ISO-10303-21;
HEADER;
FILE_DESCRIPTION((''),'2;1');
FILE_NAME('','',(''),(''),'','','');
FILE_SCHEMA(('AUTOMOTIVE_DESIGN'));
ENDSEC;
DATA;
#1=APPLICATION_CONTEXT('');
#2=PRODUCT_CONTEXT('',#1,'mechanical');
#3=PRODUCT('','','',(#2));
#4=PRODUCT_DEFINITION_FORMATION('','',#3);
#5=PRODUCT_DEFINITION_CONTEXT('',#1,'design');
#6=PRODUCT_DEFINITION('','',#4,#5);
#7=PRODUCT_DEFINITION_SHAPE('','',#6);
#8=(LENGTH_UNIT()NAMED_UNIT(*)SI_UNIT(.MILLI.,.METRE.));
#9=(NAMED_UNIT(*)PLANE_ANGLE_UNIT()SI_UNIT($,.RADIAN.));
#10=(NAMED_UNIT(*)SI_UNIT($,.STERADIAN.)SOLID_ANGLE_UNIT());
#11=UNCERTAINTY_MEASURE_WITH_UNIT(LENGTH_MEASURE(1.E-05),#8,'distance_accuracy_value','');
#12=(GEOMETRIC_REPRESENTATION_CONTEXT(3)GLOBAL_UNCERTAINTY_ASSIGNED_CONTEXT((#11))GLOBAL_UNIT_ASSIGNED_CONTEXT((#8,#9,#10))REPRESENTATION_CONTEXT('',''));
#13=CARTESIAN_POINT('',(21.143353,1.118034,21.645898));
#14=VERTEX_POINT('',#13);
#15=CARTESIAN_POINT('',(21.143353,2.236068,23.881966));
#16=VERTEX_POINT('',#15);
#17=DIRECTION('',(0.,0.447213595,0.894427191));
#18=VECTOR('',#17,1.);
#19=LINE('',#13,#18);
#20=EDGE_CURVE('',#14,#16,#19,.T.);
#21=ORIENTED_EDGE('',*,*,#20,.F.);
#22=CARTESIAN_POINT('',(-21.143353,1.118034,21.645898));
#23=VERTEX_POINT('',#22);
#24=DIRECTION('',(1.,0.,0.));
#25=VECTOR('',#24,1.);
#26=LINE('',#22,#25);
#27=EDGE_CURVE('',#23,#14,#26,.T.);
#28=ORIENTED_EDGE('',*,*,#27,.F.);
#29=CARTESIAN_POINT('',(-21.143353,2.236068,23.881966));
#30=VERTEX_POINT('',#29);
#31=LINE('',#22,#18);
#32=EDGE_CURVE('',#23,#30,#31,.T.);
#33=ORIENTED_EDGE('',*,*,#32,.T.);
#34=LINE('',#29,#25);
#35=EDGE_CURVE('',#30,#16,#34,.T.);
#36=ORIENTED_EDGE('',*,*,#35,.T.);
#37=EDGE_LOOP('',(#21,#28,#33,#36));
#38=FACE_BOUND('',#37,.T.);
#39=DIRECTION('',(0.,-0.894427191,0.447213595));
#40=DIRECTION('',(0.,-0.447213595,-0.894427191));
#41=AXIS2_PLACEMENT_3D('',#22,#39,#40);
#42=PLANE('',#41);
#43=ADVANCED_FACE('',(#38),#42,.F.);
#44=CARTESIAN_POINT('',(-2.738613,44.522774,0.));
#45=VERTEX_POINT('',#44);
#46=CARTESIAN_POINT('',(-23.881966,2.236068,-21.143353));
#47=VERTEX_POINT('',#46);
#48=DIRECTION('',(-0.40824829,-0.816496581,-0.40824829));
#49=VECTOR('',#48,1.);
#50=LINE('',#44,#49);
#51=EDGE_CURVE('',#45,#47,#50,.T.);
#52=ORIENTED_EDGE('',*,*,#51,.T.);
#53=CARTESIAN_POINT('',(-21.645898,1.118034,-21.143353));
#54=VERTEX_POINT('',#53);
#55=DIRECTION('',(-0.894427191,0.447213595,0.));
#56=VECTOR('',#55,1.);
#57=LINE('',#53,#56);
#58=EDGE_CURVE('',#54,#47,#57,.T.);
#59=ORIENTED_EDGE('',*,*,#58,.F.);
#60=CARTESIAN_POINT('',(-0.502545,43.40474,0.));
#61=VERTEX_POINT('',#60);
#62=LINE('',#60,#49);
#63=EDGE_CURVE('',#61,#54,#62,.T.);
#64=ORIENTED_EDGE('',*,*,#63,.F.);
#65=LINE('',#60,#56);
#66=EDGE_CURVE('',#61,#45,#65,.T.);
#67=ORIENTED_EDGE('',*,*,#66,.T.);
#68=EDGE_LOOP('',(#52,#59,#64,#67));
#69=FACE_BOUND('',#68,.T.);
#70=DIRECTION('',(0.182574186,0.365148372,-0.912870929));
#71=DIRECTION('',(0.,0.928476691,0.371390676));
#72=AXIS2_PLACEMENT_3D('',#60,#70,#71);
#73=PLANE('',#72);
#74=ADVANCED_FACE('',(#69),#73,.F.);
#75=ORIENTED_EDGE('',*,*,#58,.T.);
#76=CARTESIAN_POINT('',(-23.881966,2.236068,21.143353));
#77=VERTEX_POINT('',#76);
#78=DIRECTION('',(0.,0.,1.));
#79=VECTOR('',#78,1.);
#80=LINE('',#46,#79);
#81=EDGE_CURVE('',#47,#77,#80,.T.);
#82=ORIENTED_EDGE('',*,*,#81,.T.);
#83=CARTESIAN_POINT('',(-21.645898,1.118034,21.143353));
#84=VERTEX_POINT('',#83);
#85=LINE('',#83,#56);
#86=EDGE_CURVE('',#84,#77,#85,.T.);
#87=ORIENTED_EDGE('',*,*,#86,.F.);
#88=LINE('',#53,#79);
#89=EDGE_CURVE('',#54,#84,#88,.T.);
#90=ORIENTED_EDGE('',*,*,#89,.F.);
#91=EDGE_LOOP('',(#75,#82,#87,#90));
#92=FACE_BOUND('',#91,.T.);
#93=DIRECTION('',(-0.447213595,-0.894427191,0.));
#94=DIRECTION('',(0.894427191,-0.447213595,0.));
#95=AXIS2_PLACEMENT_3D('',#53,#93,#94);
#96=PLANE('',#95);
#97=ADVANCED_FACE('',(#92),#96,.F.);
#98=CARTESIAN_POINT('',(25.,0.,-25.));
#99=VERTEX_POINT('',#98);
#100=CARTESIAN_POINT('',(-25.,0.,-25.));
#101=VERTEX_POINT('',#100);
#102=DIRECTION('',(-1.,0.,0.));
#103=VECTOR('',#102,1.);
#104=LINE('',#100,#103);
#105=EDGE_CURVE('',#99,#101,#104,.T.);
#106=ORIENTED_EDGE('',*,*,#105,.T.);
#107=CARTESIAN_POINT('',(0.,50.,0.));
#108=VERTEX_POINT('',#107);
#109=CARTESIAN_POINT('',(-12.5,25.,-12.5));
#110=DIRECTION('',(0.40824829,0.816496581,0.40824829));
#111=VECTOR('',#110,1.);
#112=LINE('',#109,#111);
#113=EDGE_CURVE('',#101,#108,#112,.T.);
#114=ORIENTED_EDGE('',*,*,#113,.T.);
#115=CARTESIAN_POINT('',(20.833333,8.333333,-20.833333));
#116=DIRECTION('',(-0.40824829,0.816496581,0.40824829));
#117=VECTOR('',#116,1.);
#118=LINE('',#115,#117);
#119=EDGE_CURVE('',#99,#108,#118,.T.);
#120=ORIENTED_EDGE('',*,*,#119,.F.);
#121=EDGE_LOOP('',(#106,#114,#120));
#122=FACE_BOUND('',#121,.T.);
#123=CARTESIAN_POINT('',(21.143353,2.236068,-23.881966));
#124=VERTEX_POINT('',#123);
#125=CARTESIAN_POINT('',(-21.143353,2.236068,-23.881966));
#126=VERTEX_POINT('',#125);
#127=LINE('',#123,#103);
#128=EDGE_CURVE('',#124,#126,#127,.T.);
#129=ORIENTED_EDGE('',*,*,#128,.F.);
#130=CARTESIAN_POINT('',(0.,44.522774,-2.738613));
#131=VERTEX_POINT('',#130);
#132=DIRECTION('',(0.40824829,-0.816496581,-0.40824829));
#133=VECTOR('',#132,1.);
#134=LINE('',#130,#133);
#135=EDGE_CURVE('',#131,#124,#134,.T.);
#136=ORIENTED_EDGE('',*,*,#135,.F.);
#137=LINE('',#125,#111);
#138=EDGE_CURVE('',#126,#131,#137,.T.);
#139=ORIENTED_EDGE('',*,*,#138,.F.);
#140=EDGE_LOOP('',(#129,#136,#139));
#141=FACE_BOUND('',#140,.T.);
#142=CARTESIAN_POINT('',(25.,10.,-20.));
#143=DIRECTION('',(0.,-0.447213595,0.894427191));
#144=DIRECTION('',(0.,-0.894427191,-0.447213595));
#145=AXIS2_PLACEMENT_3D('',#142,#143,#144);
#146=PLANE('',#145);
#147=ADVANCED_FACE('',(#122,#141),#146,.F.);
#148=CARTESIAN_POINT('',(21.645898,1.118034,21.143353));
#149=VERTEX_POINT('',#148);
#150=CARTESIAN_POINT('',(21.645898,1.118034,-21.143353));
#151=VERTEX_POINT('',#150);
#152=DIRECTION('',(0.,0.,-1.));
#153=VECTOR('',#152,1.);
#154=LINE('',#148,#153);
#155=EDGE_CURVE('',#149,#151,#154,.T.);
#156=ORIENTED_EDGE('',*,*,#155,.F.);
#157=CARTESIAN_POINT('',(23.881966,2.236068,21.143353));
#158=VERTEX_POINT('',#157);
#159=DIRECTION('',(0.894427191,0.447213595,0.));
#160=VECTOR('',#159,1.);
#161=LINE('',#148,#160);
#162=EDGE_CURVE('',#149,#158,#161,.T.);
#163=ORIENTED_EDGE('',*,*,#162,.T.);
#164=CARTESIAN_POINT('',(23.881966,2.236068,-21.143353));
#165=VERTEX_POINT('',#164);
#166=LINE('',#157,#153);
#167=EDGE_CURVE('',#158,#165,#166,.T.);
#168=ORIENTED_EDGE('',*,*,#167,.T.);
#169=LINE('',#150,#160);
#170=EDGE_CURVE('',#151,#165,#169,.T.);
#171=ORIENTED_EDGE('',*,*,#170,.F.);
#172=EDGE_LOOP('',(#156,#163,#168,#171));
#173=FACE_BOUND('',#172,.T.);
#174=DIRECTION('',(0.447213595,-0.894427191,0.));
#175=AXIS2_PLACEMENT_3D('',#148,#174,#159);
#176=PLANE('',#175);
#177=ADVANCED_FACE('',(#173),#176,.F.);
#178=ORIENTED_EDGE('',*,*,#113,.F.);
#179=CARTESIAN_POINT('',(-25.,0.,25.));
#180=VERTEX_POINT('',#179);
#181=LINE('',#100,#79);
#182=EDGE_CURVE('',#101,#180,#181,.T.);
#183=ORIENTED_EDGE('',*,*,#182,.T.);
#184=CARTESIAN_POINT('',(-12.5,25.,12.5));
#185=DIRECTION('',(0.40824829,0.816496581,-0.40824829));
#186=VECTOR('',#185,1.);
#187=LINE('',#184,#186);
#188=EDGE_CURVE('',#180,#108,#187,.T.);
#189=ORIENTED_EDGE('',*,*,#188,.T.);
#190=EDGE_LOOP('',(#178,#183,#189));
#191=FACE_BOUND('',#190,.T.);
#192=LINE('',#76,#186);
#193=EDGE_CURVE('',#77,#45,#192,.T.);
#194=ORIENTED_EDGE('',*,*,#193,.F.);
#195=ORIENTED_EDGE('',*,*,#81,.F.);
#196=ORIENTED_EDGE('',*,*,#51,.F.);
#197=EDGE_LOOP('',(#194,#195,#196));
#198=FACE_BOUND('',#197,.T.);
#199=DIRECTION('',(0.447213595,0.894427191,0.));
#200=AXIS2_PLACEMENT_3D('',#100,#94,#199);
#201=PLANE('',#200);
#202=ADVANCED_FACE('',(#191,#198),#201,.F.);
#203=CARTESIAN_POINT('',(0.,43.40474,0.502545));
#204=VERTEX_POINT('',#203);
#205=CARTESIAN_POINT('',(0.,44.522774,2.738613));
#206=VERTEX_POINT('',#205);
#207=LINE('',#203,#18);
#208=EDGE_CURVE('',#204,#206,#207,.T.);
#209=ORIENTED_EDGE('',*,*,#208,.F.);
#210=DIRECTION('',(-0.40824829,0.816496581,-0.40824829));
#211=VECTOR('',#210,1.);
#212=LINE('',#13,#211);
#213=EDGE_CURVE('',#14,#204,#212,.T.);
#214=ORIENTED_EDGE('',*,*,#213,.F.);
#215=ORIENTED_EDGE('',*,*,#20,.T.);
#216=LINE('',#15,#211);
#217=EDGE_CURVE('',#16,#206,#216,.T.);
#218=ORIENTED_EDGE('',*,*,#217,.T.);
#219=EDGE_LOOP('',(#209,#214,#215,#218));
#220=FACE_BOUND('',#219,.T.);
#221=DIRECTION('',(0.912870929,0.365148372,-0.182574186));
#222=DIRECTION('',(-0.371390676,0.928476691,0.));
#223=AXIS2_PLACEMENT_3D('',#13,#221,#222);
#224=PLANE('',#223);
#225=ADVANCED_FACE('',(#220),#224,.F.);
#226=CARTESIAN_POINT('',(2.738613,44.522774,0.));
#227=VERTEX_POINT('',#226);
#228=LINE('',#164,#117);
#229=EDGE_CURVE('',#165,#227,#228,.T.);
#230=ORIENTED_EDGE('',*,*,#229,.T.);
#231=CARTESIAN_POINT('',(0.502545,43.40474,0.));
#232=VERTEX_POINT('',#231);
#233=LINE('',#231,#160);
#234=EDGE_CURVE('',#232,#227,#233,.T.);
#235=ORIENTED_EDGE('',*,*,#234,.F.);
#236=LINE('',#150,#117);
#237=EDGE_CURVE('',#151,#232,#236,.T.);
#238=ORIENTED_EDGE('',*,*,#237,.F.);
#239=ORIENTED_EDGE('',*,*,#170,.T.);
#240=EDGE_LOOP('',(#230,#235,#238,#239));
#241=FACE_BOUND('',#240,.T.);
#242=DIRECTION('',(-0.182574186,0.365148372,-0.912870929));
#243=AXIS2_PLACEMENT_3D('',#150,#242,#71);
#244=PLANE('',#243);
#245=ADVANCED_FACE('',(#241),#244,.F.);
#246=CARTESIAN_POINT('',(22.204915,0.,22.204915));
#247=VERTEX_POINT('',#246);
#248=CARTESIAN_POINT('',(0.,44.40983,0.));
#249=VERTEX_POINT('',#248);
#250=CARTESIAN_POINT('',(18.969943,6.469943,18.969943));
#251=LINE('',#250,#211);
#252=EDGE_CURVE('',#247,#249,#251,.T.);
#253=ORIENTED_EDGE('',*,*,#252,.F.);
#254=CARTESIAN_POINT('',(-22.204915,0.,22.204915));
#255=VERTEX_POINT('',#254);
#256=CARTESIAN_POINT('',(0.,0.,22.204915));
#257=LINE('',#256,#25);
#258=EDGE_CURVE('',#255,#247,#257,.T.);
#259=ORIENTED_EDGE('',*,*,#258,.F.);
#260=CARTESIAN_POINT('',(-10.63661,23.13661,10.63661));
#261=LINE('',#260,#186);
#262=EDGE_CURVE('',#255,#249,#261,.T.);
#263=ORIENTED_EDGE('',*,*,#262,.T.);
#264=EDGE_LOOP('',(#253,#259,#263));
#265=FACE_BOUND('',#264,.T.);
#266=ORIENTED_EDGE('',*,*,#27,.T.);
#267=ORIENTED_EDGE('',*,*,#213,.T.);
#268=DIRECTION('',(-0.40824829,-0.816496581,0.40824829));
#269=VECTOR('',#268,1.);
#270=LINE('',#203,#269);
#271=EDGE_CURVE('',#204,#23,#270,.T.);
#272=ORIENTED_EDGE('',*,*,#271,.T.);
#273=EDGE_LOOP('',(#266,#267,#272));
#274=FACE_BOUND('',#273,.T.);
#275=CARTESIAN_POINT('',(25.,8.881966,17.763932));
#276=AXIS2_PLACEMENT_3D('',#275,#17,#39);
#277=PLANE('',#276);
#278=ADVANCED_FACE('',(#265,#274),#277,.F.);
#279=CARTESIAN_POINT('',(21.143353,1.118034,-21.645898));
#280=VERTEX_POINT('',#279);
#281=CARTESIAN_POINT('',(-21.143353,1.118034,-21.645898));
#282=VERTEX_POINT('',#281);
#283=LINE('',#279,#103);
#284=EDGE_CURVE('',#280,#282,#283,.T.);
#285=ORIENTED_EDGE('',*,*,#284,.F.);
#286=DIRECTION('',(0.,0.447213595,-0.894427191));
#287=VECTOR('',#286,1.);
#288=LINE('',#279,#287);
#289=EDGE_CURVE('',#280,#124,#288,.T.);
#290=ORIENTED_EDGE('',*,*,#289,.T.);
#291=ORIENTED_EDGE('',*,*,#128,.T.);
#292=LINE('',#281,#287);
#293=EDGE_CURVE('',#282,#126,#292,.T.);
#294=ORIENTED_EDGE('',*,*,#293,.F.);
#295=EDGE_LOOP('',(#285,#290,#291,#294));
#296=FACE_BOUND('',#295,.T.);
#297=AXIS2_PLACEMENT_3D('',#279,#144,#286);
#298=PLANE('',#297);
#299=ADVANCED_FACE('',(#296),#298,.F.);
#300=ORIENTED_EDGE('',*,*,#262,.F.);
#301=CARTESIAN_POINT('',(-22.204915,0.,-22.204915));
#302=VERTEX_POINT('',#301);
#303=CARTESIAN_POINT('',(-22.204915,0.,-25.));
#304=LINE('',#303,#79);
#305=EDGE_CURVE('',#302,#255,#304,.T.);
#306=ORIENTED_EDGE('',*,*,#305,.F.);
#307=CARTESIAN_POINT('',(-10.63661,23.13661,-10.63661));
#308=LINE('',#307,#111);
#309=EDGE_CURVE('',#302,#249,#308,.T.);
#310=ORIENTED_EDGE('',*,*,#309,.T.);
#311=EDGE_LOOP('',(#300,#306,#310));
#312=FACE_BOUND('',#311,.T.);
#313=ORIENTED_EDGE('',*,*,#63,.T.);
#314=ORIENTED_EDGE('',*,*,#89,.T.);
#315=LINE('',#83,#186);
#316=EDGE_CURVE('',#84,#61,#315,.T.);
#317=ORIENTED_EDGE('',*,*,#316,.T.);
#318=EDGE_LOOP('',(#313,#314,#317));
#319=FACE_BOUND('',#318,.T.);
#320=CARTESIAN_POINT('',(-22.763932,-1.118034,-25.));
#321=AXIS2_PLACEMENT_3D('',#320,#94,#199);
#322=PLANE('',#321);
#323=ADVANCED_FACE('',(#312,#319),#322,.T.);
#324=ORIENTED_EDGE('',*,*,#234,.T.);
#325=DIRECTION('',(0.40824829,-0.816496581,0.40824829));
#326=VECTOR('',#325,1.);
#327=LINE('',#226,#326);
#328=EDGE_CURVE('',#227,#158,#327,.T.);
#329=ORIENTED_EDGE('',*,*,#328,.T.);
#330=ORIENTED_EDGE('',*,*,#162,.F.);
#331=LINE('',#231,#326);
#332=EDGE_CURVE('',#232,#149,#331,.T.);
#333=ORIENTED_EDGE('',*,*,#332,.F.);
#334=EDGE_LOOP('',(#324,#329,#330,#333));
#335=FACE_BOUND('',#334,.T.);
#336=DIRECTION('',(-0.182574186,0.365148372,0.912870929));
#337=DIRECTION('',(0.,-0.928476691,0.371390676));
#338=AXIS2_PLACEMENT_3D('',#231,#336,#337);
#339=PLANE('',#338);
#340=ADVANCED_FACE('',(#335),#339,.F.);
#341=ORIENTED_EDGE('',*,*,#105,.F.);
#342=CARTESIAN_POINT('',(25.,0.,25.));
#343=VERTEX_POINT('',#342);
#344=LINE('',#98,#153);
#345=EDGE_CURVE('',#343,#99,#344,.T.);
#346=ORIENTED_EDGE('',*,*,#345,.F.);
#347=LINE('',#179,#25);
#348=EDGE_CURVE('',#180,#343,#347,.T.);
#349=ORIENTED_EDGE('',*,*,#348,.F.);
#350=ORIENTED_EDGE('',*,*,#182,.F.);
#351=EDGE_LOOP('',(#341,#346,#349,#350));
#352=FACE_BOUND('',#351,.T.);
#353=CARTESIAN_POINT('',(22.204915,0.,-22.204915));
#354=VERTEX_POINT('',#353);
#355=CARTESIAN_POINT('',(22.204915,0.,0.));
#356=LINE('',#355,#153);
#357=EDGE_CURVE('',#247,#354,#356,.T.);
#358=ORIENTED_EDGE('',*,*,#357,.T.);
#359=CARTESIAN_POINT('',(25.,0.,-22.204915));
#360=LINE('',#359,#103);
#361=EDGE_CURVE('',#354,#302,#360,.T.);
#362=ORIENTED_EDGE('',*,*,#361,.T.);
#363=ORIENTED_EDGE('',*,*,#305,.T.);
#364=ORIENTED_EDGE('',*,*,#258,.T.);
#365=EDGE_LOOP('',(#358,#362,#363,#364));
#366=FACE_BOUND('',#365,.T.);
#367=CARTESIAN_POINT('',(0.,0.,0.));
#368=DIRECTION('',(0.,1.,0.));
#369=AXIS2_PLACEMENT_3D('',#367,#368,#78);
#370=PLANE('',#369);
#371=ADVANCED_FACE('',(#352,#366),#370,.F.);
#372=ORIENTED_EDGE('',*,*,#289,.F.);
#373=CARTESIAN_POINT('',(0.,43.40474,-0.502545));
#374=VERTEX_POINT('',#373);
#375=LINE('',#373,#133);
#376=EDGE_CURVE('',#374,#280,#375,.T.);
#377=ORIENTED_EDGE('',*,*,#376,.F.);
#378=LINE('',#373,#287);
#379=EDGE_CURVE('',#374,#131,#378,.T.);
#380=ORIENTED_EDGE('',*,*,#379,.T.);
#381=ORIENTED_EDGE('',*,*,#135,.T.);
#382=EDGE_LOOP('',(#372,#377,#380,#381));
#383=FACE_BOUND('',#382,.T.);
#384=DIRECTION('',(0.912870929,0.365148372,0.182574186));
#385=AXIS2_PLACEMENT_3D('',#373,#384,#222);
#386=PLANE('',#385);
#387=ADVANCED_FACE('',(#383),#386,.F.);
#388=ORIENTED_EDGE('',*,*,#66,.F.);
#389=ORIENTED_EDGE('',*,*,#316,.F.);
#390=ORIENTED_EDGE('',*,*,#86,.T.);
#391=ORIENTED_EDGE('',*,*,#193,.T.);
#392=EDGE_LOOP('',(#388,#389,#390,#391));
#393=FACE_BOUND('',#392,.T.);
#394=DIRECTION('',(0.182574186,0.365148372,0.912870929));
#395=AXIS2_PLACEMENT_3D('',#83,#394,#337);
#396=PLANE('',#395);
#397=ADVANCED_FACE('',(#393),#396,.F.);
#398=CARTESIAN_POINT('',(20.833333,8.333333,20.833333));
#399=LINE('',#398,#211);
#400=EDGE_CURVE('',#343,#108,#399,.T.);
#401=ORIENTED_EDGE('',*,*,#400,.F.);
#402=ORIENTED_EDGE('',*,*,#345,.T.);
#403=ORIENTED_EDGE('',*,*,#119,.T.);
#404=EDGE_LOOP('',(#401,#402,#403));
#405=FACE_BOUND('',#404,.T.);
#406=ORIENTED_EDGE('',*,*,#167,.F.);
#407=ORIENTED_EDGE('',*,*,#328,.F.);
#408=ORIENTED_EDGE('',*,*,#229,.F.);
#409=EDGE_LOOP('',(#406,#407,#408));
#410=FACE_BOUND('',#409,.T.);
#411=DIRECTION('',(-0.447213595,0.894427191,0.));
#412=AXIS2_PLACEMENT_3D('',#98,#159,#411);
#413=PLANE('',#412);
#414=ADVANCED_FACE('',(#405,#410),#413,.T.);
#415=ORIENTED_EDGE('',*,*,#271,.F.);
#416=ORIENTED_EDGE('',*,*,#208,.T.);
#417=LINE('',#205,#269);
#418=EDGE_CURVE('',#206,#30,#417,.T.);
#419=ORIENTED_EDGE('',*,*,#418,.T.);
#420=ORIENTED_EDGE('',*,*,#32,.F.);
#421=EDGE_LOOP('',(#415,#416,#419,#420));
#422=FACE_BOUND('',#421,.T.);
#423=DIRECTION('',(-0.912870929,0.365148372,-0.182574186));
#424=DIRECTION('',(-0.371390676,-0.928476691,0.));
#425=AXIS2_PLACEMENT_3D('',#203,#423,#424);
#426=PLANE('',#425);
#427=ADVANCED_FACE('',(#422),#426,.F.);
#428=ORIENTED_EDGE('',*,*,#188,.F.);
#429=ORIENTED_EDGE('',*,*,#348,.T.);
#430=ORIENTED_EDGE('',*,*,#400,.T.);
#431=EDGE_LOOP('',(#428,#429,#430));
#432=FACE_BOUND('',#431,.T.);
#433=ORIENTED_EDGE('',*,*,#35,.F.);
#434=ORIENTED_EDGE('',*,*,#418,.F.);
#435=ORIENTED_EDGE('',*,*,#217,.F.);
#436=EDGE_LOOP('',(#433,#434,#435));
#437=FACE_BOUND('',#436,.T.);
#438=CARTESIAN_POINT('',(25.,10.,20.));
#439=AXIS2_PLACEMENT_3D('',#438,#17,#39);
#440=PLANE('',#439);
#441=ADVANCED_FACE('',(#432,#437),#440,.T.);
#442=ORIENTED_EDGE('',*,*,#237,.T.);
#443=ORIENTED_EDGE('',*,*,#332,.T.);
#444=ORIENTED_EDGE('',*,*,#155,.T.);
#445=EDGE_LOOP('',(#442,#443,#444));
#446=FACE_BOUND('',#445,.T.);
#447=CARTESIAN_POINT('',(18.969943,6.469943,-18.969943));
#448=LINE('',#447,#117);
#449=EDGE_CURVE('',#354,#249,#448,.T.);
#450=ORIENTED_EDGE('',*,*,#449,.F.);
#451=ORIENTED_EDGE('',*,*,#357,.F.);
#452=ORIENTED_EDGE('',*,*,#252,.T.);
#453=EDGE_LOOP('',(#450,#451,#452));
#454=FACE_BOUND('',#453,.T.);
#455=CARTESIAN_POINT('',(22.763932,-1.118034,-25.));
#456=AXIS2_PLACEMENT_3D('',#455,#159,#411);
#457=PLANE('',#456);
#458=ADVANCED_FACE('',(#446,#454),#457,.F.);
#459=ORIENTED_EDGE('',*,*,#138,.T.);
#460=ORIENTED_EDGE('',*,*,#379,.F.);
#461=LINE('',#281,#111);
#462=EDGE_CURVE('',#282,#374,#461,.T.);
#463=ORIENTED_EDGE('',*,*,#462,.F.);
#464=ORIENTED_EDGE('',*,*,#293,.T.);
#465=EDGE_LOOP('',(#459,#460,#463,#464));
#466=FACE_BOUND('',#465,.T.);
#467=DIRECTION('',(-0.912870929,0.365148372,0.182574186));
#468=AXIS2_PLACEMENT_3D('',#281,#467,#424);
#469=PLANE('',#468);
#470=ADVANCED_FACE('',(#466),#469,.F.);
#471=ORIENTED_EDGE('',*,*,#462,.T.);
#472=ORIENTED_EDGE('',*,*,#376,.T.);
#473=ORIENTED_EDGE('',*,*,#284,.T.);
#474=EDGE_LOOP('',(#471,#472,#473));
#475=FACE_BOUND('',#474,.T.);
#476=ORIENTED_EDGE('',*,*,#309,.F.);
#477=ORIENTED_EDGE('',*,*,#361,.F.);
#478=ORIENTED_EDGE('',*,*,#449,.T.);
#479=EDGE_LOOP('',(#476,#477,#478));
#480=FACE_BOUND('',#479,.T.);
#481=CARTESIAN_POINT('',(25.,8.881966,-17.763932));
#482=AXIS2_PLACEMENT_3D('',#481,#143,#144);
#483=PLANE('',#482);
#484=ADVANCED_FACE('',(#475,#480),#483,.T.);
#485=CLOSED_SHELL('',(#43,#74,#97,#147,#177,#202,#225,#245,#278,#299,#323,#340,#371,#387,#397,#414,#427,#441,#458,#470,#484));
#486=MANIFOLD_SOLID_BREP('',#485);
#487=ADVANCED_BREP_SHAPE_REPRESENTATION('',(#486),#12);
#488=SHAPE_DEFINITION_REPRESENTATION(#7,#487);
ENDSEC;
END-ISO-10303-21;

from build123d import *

# Parameters (mm, degrees)
CROQUIS1_W                 = 50
CROQUIS1_H                 = 50
SALIENTE_EXTRUIR1_DEPTH    = 50
CORTAR_EXTRUIR1_DEPTH      = 50
CORTAR_EXTRUIR2_DEPTH      = 25
CORTAR_EXTRUIR2_DEPTH_BACK = 25
VACIADO1_T                 = -2.5
CORTAR_EXTRUIR3_DEPTH      = 2.5
CORTAR_EXTRUIR4_DEPTH      = 2.5
CORTAR_EXTRUIR5_DEPTH      = 2.5
CORTAR_EXTRUIR6_DEPTH      = 2.5


with BuildPart() as part:
    # Croquis1 → Saliente-Extruir1 (new body)
    with BuildSketch(Plane(origin=(0, 0, 0), x_dir=(1, 0, 0), z_dir=(0, 1, 0))):
        Rectangle(CROQUIS1_W, CROQUIS1_H)
    extrude(amount=SALIENTE_EXTRUIR1_DEPTH)

    # Croquis2 → Cortar-Extruir1 (cut)
    with BuildSketch(Plane.ZY.offset(25)):
        Polygon((-25, 0), (0, 50), (-25, 50), align=None)
        Polygon((0, 50), (25, 0), (25, 50), align=None)
    extrude(amount=-CORTAR_EXTRUIR1_DEPTH, mode=Mode.SUBTRACT)

    # Croquis4 → Cortar-Extruir2 (cut, two sides)
    with BuildSketch(Plane(origin=(0, 0, 0), x_dir=(-1, 0, 0), z_dir=(0, 0, -1))) as cortar_extruir2_sk:
        Polygon((-25, 50), (-25, 0), (0, 50), align=None)
        Polygon((25, 50), (0, 50), (25, 0), align=None)
    extrude(amount=CORTAR_EXTRUIR2_DEPTH, mode=Mode.SUBTRACT)
    extrude(cortar_extruir2_sk.sketch, amount=-CORTAR_EXTRUIR2_DEPTH_BACK, mode=Mode.SUBTRACT)

    # Vaciado1
    vaciado1_openings = [part.faces().sort_by_distance(p)[0] for p in [
        (0, 0, 0),
    ]]
    offset(amount=VACIADO1_T, openings=vaciado1_openings, kind=Kind.INTERSECTION)

    # Croquis6 → Cortar-Extruir3 (cut)
    with BuildSketch(Plane(origin=(0, 10, -20), x_dir=(-1, 0, 0), z_dir=(0, 0.447213595, -0.894427191))):
        Polygon((0, 38.597635193), (-21.143353224, -8.680339887), (21.143353224, -8.680339887), align=None)
    extrude(amount=-CORTAR_EXTRUIR3_DEPTH, mode=Mode.SUBTRACT)

    # Croquis7 → Cortar-Extruir4 (cut)
    with BuildSketch(Plane(origin=(-20, 10, 0), x_dir=(0, 0, 1), z_dir=(-0.894427191, 0.447213595, 0))):
        Polygon((-21.143353224, -8.680339887), (21.143353224, -8.680339887), (0, 38.597635193), align=None)
    extrude(amount=-CORTAR_EXTRUIR4_DEPTH, mode=Mode.SUBTRACT)

    # Croquis8 → Cortar-Extruir5 (cut)
    with BuildSketch(Plane(origin=(0, 10, 20), x_dir=(1, 0, 0), z_dir=(0, 0.447213595, 0.894427191))):
        Polygon((-21.143353224, -8.680339887), (21.143353224, -8.680339887), (0, 38.597635193), align=None)
    extrude(amount=-CORTAR_EXTRUIR5_DEPTH, mode=Mode.SUBTRACT)

    # Croquis9 → Cortar-Extruir6 (cut)
    with BuildSketch(Plane(origin=(20, 10, 0), x_dir=(0, 0, -1), z_dir=(0.894427191, 0.447213595, 0))):
        Polygon((21.143353224, -8.680339887), (0, 38.597635193), (-21.143353224, -8.680339887), align=None)
    extrude(amount=-CORTAR_EXTRUIR6_DEPTH, mode=Mode.SUBTRACT)


solid = part.part
